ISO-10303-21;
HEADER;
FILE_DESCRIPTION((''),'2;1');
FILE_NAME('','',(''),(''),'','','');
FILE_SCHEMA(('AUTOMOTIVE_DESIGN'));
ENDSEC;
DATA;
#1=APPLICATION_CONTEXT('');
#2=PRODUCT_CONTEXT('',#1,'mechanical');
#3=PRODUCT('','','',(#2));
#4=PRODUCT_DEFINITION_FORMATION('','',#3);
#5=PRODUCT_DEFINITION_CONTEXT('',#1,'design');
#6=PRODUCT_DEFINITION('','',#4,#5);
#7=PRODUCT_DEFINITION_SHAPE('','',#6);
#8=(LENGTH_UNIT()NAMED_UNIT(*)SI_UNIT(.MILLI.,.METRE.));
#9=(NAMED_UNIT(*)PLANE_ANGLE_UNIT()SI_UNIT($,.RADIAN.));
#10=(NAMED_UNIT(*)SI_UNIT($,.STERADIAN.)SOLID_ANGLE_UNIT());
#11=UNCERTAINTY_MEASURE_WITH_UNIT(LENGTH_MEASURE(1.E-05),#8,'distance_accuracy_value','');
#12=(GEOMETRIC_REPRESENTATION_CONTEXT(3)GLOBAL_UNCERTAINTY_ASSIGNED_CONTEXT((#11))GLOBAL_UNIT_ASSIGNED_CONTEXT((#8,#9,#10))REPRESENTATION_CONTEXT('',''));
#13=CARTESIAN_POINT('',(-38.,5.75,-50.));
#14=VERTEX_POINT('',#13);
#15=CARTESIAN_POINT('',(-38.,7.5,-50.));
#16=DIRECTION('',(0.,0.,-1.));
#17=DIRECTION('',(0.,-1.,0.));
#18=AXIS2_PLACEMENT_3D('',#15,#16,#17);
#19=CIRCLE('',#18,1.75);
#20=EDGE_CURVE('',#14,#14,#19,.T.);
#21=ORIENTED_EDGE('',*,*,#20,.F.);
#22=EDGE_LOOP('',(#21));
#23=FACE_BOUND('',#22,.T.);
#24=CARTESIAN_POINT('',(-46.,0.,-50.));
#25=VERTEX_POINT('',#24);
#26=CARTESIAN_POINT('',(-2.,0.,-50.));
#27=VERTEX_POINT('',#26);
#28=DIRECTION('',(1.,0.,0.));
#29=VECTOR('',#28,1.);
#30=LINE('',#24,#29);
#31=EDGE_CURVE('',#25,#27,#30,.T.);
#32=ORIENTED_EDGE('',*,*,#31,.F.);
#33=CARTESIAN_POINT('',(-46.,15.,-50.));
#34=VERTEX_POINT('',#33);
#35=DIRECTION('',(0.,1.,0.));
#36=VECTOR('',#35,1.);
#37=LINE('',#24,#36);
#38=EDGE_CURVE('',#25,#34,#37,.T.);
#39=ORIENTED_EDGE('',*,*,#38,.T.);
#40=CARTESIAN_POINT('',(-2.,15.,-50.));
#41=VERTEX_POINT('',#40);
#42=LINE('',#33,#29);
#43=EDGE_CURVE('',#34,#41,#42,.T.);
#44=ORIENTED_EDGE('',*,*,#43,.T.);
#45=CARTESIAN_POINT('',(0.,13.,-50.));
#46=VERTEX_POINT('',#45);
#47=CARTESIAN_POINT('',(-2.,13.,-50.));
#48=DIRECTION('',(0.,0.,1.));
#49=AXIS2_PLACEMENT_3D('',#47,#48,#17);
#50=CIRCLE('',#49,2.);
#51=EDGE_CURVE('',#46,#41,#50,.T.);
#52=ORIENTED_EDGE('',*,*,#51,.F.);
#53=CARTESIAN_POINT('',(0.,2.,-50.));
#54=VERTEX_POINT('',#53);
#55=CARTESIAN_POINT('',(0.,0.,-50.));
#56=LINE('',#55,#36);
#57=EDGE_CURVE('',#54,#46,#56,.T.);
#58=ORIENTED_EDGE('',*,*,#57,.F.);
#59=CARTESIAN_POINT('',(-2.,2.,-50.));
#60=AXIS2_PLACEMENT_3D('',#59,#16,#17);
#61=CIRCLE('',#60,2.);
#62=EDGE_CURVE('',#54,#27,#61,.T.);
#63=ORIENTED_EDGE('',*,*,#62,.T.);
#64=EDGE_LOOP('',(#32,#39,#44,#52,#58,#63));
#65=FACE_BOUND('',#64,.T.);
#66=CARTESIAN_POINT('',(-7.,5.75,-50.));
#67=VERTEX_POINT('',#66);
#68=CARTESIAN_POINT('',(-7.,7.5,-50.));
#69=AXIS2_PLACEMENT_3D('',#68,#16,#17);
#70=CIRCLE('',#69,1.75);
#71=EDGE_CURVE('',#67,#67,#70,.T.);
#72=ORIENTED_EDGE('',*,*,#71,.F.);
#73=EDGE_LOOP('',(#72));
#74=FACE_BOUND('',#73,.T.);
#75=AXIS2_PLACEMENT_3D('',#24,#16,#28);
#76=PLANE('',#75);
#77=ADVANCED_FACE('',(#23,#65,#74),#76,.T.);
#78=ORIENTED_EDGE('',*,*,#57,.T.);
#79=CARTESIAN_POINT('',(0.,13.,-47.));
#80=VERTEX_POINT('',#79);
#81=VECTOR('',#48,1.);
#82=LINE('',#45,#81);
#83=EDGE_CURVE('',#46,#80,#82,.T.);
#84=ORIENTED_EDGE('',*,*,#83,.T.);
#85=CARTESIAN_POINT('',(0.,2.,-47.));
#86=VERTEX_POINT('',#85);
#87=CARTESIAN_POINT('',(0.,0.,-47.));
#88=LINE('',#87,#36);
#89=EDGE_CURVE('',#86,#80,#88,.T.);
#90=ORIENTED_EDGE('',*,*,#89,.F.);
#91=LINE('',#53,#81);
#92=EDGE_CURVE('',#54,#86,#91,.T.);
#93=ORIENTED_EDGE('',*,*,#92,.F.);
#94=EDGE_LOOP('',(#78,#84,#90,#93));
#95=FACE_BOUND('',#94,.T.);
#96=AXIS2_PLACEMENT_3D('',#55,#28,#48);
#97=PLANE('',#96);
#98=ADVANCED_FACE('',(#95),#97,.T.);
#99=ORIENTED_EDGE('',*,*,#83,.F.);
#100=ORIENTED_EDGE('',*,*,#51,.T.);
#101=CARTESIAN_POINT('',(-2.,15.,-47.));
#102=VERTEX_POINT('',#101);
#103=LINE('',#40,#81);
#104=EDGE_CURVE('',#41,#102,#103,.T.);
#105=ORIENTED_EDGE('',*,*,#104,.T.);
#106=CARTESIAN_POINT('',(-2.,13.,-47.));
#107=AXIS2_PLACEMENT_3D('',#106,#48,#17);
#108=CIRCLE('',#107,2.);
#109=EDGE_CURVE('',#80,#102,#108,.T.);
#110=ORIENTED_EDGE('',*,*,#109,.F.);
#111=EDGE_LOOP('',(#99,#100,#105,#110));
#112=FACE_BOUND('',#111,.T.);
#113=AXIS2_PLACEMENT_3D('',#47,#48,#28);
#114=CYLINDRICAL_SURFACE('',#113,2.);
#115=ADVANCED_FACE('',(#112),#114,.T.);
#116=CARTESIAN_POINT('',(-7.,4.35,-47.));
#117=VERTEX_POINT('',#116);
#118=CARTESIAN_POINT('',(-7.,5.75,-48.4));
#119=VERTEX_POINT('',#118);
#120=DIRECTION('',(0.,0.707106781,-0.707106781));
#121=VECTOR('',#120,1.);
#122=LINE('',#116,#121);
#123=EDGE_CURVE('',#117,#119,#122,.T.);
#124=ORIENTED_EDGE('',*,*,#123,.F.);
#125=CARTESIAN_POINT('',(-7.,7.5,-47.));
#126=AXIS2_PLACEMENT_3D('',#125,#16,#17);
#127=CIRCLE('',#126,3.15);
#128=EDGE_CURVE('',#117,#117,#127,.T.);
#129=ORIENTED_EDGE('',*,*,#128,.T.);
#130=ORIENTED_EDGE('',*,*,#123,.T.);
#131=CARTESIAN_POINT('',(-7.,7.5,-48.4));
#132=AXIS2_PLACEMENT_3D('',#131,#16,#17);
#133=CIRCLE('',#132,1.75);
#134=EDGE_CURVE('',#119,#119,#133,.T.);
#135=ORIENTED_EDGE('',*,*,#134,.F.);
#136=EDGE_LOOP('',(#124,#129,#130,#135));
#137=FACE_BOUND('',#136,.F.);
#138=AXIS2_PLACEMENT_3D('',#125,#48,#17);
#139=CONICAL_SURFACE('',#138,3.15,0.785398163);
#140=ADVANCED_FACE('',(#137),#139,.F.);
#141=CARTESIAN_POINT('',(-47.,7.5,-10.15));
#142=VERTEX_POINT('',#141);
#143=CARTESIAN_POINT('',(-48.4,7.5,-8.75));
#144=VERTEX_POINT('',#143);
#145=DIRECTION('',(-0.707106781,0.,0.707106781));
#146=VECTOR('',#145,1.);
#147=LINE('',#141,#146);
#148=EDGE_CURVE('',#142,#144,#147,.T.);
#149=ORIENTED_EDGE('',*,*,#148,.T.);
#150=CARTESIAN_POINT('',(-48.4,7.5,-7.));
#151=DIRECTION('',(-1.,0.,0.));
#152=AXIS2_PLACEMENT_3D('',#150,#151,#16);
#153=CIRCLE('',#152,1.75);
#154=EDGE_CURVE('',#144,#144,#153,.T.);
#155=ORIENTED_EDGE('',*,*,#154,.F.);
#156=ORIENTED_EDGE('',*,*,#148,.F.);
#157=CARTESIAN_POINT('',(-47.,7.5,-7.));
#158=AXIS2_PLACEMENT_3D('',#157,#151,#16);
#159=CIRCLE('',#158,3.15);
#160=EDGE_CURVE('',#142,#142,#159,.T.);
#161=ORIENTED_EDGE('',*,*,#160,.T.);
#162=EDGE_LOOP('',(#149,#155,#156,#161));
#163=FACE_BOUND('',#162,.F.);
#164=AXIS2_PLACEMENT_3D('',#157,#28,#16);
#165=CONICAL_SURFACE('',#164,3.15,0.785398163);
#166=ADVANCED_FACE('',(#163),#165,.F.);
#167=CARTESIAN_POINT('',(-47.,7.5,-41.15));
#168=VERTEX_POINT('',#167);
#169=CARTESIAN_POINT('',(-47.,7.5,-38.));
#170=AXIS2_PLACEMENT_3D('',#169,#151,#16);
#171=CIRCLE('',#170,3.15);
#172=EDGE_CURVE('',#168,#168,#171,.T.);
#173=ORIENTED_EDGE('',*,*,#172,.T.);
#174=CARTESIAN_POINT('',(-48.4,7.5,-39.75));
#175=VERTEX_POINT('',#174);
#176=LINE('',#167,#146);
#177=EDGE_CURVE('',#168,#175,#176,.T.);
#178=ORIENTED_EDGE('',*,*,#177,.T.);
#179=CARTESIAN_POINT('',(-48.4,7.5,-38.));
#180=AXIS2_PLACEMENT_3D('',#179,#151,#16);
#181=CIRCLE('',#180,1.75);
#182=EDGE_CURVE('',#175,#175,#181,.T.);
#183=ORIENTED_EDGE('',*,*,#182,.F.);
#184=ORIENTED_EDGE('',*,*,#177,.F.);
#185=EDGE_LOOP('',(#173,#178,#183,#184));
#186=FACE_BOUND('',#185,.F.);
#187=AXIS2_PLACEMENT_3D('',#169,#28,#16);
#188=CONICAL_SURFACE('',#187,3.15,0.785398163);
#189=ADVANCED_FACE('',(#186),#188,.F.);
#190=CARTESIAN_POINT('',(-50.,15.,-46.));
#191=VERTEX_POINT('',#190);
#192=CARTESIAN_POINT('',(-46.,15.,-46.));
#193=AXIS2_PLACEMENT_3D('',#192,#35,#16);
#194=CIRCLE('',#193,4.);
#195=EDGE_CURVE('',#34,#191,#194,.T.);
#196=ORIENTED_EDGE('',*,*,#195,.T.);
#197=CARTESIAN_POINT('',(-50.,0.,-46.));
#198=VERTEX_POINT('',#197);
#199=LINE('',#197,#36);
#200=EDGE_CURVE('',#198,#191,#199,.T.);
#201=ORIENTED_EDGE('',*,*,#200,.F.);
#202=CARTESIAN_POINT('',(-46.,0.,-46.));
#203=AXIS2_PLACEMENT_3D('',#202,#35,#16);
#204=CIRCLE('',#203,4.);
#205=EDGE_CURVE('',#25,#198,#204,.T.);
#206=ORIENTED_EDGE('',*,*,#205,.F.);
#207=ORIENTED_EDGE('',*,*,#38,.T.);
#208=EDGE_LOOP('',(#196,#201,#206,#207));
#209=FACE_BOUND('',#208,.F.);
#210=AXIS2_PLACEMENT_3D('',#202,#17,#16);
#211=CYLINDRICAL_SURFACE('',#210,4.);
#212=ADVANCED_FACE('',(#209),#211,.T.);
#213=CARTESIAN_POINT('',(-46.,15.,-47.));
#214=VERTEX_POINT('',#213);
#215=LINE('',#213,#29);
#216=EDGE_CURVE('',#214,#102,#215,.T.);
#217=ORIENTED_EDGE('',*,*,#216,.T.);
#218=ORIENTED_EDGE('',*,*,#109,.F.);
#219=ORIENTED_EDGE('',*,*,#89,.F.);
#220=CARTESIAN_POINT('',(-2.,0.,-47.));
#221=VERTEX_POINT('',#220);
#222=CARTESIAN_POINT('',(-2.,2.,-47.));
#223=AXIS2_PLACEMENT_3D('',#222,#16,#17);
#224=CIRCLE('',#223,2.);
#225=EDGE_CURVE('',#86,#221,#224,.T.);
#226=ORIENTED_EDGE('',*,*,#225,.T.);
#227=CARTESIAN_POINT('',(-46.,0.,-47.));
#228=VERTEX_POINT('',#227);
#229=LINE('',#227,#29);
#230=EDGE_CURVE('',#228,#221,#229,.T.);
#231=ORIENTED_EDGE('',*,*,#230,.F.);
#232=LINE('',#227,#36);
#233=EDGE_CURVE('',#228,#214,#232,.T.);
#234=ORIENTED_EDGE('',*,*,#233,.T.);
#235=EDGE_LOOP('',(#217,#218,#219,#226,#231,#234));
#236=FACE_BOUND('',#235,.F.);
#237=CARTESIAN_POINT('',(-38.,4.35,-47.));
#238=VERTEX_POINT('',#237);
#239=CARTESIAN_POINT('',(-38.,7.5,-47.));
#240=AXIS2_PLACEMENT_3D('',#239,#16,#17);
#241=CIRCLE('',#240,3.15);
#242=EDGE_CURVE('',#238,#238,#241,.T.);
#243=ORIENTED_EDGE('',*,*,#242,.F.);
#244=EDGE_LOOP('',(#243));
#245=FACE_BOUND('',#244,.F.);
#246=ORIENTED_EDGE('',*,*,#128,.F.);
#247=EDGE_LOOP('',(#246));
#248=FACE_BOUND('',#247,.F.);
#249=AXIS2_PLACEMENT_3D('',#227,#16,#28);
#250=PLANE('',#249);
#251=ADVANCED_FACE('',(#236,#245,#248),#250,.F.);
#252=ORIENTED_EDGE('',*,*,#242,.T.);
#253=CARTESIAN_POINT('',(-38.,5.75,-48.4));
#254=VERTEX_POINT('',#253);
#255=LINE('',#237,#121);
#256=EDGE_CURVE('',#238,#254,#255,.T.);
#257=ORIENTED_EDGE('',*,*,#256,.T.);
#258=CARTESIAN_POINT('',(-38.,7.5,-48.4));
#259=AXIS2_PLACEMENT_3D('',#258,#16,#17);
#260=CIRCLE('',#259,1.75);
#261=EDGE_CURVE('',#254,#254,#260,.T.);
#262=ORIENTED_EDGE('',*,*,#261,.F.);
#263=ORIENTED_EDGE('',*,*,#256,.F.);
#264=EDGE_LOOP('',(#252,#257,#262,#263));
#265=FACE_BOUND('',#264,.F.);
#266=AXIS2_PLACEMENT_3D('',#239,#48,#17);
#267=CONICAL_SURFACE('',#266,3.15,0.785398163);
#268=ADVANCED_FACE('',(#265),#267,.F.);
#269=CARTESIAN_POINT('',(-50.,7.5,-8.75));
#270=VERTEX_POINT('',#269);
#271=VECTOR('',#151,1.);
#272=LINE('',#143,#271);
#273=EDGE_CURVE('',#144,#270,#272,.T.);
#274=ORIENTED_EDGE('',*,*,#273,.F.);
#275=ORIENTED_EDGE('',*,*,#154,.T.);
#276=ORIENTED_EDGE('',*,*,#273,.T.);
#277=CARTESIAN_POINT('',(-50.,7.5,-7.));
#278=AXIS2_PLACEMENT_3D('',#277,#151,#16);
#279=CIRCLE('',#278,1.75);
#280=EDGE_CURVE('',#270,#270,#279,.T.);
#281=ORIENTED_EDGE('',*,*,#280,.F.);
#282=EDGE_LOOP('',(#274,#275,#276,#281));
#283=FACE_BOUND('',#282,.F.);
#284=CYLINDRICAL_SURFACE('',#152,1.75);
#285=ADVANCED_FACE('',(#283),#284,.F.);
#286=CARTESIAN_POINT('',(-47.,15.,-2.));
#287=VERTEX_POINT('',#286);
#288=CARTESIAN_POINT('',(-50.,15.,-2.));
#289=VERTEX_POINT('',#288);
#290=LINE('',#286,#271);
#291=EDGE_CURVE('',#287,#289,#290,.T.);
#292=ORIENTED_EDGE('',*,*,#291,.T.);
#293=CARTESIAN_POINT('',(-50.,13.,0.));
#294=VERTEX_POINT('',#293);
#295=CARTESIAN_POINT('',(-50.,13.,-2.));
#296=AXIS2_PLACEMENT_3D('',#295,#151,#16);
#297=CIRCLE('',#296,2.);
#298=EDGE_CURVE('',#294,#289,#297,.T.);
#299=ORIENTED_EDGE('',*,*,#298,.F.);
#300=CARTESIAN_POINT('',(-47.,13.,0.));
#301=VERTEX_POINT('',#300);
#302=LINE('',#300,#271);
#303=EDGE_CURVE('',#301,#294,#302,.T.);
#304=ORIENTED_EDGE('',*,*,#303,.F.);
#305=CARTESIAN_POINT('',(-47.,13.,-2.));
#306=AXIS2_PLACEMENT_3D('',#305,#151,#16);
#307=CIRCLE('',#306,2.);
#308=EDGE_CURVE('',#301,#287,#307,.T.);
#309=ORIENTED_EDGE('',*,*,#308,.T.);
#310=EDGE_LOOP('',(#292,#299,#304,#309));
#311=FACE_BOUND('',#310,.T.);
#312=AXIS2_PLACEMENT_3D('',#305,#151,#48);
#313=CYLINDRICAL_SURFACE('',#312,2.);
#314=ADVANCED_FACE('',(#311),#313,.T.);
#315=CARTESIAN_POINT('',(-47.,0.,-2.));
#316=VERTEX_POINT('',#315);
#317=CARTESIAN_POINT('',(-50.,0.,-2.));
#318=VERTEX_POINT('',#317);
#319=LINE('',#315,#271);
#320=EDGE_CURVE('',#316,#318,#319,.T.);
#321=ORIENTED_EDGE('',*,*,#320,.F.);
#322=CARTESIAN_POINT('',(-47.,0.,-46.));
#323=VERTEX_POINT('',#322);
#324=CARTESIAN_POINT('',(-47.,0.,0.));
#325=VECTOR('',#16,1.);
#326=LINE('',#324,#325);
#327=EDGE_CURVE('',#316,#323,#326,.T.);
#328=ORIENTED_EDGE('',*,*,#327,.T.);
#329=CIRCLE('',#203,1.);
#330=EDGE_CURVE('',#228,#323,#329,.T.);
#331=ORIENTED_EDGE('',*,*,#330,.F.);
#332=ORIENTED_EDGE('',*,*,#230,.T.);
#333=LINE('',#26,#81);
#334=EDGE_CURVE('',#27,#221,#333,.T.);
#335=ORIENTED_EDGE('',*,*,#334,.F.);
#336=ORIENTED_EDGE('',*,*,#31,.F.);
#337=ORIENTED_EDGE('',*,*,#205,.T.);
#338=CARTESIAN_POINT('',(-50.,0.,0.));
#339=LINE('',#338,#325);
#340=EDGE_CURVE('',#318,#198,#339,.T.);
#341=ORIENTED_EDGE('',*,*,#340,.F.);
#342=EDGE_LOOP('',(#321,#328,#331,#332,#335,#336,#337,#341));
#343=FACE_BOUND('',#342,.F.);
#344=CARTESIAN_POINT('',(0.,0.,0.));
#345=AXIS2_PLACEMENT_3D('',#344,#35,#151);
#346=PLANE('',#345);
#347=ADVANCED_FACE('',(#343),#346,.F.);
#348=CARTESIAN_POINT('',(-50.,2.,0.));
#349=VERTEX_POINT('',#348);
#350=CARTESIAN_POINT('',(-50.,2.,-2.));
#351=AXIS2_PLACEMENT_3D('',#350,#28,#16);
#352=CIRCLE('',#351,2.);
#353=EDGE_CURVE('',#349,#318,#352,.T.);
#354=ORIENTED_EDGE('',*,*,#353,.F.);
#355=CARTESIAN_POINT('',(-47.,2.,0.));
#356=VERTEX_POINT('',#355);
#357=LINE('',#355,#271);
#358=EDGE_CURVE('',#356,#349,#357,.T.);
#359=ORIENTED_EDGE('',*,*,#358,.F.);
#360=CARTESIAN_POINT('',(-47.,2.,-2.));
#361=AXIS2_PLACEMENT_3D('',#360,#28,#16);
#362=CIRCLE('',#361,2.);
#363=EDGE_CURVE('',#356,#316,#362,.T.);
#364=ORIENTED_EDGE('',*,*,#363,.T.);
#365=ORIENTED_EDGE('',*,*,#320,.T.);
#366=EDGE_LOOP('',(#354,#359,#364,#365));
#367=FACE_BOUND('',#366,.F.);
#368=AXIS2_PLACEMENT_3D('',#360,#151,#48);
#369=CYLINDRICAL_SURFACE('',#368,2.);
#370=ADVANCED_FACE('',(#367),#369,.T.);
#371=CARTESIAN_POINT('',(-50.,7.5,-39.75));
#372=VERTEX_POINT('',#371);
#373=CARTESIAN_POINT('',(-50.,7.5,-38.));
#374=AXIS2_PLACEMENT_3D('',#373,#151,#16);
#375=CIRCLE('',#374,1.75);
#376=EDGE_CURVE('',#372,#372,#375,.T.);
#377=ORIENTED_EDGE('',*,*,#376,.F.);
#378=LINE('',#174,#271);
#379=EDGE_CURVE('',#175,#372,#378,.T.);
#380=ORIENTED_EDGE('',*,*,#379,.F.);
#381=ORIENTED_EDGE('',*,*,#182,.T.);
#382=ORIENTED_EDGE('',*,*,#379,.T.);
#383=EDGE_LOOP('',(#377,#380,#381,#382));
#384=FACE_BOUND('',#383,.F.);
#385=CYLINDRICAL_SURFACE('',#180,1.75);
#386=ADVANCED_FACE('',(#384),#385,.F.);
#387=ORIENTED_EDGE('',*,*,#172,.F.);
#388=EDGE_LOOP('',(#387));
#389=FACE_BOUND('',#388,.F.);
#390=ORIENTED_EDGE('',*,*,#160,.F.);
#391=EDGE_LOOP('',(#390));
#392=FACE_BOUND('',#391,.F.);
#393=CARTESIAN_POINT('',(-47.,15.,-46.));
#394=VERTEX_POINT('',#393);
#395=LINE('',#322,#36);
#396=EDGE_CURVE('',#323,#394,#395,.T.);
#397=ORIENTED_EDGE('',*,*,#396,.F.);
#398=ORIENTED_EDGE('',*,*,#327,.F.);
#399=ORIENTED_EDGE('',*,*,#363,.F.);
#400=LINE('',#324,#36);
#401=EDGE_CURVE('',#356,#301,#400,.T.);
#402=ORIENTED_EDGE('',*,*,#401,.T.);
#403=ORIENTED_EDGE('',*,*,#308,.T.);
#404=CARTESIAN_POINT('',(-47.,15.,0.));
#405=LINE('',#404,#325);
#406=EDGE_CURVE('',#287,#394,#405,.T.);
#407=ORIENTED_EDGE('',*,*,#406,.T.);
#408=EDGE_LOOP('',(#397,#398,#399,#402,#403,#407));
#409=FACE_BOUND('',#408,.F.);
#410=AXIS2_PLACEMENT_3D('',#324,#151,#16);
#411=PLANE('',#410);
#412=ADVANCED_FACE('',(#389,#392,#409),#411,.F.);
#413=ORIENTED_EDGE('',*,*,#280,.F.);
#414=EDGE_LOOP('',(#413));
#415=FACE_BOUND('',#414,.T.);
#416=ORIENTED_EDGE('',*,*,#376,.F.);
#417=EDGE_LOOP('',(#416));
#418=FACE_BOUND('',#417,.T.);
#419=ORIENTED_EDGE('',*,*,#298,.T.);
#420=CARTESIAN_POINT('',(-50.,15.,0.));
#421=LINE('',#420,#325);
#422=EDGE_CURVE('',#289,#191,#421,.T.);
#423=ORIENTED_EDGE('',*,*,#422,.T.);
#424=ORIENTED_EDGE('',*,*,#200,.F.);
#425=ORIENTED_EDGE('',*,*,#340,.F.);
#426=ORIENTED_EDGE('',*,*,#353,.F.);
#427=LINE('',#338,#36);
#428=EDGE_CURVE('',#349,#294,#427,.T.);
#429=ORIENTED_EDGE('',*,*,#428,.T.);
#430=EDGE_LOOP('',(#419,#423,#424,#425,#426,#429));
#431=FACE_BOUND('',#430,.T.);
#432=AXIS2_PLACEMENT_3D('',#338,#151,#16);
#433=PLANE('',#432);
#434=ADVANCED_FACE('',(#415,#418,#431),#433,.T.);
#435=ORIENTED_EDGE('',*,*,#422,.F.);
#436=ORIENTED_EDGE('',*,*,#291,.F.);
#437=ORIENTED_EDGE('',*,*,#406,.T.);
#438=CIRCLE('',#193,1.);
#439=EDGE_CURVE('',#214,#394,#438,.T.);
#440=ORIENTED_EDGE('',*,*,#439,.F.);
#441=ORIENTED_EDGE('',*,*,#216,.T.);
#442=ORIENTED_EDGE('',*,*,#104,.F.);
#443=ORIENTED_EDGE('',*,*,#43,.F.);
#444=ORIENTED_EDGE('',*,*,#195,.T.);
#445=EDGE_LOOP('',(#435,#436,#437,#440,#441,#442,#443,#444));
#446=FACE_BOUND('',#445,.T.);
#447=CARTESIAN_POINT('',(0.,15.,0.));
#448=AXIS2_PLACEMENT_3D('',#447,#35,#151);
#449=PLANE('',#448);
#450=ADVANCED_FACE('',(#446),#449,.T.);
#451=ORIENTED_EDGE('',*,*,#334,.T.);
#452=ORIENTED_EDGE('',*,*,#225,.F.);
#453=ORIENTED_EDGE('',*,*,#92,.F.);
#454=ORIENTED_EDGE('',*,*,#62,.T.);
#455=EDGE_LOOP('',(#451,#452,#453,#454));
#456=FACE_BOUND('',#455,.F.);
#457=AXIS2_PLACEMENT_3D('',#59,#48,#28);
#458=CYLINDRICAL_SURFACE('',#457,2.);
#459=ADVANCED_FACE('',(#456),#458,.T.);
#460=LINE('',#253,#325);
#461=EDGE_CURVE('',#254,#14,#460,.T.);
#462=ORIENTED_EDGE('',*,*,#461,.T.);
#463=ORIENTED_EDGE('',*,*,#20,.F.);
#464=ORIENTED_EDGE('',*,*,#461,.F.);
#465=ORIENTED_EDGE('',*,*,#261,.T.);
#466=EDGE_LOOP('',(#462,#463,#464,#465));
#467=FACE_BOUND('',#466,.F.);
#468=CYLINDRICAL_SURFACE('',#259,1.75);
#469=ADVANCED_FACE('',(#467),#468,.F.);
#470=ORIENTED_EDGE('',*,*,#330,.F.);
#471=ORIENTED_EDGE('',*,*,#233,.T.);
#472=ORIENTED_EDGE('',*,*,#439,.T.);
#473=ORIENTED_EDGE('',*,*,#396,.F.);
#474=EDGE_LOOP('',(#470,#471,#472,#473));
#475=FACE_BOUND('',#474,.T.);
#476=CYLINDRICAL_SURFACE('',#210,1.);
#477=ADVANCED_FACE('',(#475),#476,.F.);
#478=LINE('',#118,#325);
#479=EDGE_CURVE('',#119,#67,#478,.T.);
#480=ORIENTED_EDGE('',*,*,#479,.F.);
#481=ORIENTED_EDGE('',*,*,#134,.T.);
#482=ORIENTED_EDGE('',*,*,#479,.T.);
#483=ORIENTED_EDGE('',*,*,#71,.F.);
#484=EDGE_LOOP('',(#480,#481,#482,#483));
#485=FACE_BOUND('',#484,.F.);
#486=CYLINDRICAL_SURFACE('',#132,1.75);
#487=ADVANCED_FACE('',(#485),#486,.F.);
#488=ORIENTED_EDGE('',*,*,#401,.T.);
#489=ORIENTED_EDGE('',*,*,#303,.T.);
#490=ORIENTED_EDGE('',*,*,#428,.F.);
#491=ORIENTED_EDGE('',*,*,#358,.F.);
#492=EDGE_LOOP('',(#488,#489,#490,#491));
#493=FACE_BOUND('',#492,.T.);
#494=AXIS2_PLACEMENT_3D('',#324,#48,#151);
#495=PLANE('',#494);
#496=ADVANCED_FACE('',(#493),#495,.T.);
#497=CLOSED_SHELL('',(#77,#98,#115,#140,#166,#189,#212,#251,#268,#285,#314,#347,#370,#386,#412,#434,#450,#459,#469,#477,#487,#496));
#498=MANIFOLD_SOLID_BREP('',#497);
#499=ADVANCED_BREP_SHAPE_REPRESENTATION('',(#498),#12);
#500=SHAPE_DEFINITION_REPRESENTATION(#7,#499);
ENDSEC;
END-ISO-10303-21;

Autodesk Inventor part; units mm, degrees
ref_plane "YZ Plane" through (0, 0, 0) normal (1, 0, 0) x (0, 1, 0)
ref_plane "XZ Plane" through (0, 0, 0) normal (0, 1, 0) x (-1, 0, 0)
ref_plane "XY Plane" through (0, 0, 0) normal (0, 0, 1) x (1, 0, 0)
sketch "Sketch1" plane through (0, 0, 0) normal (0, 1, 0) x (-1, 0, 0)
  line L0 (0, 0) -> (50, 0)
  line L1 (50, 0) -> (50, -46)
  line L2 (46, -50) -> (0, -50)
  line L3 (0, -50) -> (0, 0)
  arc A0 (46, -50) -> (50, -46) centre (46, -46) ccw
  line L4 (0, 0) -> (47, 0)
  line L5 (47, 0) -> (47, -46)
  line L6 (46, -47) -> (0, -47)
  line L7 (0, -47) -> (0, 0)
  arc A1 (46, -47) -> (47, -46) centre (46, -46) ccw
  point P0 (50, -50)
  point P1 (47, -47)
  dimension "d0" = 50
  dimension "d1" = 50
  dimension "d2" = 4
  dimension "d3" = 47
  dimension "d4" = 47
  dimension "d5" = 1
extrude "Extrusion1" add sketch "Sketch1" along normal blind 15 contours L0 L1 A0 L2 L3 L6 A1 L5
fillet "Fillet1" radius 2 4 edges at (-48.5, 15, 0) (-48.5, 0, 0) (0, 15, -48.5) (0, 0, -48.5)
sketch "Sketch2" plane through (-47, 0, -46) normal (1, 0, 0) x (0, 0, -1)
  line L0 (-57.4618, 7.5) -> (28.1267, 7.5) construction
  line L1 (-46, 2) -> (-46, 13) projected
  point P0 (-46, 0)
  point P1 (-46, 7.5)
  point P2 (-39, 7.5)
  point P3 (-8, 7.5)
  dimension "d9" = 7
  dimension "d10" = 31
hole "Hole1" at (-47, 7.5, -7) at (-47, 7.5, -38) direction (-1, 0, 0) diameter 3.5 end through all countersink diameter 6.3 countersink angle 90 clearance for "Countersunk Flat Head Screw ISO 2009/7046" size "M3" standard "ISO"
sketch "Sketch3" plane through (-46, 0, -47) normal (0, 0, 1) x (1, 0, 0)
  line L0 (63.5676, 7.5) -> (-29.6264, 7.5) construction
  line L1 (46, 2) -> (46, 13) construction
  arc A0 (44, 0) -> (46, 2) centre (44, 2) ccw projected
  line L2 (46, 2) -> (46, 13) projected
  arc A1 (46, 13) -> (44, 15) centre (44, 13) ccw projected
  line L3 (0, 15) -> (44, 15) projected
  line L4 (0, 0) -> (0, 15) projected
  line L5 (0, 0) -> (44, 0) projected
  point P0 (46, 0)
  point P1 (46, 7.5)
  point P2 (39, 7.5)
  point P3 (8, 7.5)
  dimension "d18" = 7
  dimension "d19" = 31
hole "Hole2" at (-7, 7.5, -47) at (-38, 7.5, -47) direction (0, 0, -1) diameter 3.5 end through all countersink diameter 6.3 countersink angle 90 clearance for "Countersunk Flat Head Screw ISO 2009/7046" size "M3" standard "ISO"
properties part number "Right Bracket 50mm RS749-1680" material "Stainless Steel"
